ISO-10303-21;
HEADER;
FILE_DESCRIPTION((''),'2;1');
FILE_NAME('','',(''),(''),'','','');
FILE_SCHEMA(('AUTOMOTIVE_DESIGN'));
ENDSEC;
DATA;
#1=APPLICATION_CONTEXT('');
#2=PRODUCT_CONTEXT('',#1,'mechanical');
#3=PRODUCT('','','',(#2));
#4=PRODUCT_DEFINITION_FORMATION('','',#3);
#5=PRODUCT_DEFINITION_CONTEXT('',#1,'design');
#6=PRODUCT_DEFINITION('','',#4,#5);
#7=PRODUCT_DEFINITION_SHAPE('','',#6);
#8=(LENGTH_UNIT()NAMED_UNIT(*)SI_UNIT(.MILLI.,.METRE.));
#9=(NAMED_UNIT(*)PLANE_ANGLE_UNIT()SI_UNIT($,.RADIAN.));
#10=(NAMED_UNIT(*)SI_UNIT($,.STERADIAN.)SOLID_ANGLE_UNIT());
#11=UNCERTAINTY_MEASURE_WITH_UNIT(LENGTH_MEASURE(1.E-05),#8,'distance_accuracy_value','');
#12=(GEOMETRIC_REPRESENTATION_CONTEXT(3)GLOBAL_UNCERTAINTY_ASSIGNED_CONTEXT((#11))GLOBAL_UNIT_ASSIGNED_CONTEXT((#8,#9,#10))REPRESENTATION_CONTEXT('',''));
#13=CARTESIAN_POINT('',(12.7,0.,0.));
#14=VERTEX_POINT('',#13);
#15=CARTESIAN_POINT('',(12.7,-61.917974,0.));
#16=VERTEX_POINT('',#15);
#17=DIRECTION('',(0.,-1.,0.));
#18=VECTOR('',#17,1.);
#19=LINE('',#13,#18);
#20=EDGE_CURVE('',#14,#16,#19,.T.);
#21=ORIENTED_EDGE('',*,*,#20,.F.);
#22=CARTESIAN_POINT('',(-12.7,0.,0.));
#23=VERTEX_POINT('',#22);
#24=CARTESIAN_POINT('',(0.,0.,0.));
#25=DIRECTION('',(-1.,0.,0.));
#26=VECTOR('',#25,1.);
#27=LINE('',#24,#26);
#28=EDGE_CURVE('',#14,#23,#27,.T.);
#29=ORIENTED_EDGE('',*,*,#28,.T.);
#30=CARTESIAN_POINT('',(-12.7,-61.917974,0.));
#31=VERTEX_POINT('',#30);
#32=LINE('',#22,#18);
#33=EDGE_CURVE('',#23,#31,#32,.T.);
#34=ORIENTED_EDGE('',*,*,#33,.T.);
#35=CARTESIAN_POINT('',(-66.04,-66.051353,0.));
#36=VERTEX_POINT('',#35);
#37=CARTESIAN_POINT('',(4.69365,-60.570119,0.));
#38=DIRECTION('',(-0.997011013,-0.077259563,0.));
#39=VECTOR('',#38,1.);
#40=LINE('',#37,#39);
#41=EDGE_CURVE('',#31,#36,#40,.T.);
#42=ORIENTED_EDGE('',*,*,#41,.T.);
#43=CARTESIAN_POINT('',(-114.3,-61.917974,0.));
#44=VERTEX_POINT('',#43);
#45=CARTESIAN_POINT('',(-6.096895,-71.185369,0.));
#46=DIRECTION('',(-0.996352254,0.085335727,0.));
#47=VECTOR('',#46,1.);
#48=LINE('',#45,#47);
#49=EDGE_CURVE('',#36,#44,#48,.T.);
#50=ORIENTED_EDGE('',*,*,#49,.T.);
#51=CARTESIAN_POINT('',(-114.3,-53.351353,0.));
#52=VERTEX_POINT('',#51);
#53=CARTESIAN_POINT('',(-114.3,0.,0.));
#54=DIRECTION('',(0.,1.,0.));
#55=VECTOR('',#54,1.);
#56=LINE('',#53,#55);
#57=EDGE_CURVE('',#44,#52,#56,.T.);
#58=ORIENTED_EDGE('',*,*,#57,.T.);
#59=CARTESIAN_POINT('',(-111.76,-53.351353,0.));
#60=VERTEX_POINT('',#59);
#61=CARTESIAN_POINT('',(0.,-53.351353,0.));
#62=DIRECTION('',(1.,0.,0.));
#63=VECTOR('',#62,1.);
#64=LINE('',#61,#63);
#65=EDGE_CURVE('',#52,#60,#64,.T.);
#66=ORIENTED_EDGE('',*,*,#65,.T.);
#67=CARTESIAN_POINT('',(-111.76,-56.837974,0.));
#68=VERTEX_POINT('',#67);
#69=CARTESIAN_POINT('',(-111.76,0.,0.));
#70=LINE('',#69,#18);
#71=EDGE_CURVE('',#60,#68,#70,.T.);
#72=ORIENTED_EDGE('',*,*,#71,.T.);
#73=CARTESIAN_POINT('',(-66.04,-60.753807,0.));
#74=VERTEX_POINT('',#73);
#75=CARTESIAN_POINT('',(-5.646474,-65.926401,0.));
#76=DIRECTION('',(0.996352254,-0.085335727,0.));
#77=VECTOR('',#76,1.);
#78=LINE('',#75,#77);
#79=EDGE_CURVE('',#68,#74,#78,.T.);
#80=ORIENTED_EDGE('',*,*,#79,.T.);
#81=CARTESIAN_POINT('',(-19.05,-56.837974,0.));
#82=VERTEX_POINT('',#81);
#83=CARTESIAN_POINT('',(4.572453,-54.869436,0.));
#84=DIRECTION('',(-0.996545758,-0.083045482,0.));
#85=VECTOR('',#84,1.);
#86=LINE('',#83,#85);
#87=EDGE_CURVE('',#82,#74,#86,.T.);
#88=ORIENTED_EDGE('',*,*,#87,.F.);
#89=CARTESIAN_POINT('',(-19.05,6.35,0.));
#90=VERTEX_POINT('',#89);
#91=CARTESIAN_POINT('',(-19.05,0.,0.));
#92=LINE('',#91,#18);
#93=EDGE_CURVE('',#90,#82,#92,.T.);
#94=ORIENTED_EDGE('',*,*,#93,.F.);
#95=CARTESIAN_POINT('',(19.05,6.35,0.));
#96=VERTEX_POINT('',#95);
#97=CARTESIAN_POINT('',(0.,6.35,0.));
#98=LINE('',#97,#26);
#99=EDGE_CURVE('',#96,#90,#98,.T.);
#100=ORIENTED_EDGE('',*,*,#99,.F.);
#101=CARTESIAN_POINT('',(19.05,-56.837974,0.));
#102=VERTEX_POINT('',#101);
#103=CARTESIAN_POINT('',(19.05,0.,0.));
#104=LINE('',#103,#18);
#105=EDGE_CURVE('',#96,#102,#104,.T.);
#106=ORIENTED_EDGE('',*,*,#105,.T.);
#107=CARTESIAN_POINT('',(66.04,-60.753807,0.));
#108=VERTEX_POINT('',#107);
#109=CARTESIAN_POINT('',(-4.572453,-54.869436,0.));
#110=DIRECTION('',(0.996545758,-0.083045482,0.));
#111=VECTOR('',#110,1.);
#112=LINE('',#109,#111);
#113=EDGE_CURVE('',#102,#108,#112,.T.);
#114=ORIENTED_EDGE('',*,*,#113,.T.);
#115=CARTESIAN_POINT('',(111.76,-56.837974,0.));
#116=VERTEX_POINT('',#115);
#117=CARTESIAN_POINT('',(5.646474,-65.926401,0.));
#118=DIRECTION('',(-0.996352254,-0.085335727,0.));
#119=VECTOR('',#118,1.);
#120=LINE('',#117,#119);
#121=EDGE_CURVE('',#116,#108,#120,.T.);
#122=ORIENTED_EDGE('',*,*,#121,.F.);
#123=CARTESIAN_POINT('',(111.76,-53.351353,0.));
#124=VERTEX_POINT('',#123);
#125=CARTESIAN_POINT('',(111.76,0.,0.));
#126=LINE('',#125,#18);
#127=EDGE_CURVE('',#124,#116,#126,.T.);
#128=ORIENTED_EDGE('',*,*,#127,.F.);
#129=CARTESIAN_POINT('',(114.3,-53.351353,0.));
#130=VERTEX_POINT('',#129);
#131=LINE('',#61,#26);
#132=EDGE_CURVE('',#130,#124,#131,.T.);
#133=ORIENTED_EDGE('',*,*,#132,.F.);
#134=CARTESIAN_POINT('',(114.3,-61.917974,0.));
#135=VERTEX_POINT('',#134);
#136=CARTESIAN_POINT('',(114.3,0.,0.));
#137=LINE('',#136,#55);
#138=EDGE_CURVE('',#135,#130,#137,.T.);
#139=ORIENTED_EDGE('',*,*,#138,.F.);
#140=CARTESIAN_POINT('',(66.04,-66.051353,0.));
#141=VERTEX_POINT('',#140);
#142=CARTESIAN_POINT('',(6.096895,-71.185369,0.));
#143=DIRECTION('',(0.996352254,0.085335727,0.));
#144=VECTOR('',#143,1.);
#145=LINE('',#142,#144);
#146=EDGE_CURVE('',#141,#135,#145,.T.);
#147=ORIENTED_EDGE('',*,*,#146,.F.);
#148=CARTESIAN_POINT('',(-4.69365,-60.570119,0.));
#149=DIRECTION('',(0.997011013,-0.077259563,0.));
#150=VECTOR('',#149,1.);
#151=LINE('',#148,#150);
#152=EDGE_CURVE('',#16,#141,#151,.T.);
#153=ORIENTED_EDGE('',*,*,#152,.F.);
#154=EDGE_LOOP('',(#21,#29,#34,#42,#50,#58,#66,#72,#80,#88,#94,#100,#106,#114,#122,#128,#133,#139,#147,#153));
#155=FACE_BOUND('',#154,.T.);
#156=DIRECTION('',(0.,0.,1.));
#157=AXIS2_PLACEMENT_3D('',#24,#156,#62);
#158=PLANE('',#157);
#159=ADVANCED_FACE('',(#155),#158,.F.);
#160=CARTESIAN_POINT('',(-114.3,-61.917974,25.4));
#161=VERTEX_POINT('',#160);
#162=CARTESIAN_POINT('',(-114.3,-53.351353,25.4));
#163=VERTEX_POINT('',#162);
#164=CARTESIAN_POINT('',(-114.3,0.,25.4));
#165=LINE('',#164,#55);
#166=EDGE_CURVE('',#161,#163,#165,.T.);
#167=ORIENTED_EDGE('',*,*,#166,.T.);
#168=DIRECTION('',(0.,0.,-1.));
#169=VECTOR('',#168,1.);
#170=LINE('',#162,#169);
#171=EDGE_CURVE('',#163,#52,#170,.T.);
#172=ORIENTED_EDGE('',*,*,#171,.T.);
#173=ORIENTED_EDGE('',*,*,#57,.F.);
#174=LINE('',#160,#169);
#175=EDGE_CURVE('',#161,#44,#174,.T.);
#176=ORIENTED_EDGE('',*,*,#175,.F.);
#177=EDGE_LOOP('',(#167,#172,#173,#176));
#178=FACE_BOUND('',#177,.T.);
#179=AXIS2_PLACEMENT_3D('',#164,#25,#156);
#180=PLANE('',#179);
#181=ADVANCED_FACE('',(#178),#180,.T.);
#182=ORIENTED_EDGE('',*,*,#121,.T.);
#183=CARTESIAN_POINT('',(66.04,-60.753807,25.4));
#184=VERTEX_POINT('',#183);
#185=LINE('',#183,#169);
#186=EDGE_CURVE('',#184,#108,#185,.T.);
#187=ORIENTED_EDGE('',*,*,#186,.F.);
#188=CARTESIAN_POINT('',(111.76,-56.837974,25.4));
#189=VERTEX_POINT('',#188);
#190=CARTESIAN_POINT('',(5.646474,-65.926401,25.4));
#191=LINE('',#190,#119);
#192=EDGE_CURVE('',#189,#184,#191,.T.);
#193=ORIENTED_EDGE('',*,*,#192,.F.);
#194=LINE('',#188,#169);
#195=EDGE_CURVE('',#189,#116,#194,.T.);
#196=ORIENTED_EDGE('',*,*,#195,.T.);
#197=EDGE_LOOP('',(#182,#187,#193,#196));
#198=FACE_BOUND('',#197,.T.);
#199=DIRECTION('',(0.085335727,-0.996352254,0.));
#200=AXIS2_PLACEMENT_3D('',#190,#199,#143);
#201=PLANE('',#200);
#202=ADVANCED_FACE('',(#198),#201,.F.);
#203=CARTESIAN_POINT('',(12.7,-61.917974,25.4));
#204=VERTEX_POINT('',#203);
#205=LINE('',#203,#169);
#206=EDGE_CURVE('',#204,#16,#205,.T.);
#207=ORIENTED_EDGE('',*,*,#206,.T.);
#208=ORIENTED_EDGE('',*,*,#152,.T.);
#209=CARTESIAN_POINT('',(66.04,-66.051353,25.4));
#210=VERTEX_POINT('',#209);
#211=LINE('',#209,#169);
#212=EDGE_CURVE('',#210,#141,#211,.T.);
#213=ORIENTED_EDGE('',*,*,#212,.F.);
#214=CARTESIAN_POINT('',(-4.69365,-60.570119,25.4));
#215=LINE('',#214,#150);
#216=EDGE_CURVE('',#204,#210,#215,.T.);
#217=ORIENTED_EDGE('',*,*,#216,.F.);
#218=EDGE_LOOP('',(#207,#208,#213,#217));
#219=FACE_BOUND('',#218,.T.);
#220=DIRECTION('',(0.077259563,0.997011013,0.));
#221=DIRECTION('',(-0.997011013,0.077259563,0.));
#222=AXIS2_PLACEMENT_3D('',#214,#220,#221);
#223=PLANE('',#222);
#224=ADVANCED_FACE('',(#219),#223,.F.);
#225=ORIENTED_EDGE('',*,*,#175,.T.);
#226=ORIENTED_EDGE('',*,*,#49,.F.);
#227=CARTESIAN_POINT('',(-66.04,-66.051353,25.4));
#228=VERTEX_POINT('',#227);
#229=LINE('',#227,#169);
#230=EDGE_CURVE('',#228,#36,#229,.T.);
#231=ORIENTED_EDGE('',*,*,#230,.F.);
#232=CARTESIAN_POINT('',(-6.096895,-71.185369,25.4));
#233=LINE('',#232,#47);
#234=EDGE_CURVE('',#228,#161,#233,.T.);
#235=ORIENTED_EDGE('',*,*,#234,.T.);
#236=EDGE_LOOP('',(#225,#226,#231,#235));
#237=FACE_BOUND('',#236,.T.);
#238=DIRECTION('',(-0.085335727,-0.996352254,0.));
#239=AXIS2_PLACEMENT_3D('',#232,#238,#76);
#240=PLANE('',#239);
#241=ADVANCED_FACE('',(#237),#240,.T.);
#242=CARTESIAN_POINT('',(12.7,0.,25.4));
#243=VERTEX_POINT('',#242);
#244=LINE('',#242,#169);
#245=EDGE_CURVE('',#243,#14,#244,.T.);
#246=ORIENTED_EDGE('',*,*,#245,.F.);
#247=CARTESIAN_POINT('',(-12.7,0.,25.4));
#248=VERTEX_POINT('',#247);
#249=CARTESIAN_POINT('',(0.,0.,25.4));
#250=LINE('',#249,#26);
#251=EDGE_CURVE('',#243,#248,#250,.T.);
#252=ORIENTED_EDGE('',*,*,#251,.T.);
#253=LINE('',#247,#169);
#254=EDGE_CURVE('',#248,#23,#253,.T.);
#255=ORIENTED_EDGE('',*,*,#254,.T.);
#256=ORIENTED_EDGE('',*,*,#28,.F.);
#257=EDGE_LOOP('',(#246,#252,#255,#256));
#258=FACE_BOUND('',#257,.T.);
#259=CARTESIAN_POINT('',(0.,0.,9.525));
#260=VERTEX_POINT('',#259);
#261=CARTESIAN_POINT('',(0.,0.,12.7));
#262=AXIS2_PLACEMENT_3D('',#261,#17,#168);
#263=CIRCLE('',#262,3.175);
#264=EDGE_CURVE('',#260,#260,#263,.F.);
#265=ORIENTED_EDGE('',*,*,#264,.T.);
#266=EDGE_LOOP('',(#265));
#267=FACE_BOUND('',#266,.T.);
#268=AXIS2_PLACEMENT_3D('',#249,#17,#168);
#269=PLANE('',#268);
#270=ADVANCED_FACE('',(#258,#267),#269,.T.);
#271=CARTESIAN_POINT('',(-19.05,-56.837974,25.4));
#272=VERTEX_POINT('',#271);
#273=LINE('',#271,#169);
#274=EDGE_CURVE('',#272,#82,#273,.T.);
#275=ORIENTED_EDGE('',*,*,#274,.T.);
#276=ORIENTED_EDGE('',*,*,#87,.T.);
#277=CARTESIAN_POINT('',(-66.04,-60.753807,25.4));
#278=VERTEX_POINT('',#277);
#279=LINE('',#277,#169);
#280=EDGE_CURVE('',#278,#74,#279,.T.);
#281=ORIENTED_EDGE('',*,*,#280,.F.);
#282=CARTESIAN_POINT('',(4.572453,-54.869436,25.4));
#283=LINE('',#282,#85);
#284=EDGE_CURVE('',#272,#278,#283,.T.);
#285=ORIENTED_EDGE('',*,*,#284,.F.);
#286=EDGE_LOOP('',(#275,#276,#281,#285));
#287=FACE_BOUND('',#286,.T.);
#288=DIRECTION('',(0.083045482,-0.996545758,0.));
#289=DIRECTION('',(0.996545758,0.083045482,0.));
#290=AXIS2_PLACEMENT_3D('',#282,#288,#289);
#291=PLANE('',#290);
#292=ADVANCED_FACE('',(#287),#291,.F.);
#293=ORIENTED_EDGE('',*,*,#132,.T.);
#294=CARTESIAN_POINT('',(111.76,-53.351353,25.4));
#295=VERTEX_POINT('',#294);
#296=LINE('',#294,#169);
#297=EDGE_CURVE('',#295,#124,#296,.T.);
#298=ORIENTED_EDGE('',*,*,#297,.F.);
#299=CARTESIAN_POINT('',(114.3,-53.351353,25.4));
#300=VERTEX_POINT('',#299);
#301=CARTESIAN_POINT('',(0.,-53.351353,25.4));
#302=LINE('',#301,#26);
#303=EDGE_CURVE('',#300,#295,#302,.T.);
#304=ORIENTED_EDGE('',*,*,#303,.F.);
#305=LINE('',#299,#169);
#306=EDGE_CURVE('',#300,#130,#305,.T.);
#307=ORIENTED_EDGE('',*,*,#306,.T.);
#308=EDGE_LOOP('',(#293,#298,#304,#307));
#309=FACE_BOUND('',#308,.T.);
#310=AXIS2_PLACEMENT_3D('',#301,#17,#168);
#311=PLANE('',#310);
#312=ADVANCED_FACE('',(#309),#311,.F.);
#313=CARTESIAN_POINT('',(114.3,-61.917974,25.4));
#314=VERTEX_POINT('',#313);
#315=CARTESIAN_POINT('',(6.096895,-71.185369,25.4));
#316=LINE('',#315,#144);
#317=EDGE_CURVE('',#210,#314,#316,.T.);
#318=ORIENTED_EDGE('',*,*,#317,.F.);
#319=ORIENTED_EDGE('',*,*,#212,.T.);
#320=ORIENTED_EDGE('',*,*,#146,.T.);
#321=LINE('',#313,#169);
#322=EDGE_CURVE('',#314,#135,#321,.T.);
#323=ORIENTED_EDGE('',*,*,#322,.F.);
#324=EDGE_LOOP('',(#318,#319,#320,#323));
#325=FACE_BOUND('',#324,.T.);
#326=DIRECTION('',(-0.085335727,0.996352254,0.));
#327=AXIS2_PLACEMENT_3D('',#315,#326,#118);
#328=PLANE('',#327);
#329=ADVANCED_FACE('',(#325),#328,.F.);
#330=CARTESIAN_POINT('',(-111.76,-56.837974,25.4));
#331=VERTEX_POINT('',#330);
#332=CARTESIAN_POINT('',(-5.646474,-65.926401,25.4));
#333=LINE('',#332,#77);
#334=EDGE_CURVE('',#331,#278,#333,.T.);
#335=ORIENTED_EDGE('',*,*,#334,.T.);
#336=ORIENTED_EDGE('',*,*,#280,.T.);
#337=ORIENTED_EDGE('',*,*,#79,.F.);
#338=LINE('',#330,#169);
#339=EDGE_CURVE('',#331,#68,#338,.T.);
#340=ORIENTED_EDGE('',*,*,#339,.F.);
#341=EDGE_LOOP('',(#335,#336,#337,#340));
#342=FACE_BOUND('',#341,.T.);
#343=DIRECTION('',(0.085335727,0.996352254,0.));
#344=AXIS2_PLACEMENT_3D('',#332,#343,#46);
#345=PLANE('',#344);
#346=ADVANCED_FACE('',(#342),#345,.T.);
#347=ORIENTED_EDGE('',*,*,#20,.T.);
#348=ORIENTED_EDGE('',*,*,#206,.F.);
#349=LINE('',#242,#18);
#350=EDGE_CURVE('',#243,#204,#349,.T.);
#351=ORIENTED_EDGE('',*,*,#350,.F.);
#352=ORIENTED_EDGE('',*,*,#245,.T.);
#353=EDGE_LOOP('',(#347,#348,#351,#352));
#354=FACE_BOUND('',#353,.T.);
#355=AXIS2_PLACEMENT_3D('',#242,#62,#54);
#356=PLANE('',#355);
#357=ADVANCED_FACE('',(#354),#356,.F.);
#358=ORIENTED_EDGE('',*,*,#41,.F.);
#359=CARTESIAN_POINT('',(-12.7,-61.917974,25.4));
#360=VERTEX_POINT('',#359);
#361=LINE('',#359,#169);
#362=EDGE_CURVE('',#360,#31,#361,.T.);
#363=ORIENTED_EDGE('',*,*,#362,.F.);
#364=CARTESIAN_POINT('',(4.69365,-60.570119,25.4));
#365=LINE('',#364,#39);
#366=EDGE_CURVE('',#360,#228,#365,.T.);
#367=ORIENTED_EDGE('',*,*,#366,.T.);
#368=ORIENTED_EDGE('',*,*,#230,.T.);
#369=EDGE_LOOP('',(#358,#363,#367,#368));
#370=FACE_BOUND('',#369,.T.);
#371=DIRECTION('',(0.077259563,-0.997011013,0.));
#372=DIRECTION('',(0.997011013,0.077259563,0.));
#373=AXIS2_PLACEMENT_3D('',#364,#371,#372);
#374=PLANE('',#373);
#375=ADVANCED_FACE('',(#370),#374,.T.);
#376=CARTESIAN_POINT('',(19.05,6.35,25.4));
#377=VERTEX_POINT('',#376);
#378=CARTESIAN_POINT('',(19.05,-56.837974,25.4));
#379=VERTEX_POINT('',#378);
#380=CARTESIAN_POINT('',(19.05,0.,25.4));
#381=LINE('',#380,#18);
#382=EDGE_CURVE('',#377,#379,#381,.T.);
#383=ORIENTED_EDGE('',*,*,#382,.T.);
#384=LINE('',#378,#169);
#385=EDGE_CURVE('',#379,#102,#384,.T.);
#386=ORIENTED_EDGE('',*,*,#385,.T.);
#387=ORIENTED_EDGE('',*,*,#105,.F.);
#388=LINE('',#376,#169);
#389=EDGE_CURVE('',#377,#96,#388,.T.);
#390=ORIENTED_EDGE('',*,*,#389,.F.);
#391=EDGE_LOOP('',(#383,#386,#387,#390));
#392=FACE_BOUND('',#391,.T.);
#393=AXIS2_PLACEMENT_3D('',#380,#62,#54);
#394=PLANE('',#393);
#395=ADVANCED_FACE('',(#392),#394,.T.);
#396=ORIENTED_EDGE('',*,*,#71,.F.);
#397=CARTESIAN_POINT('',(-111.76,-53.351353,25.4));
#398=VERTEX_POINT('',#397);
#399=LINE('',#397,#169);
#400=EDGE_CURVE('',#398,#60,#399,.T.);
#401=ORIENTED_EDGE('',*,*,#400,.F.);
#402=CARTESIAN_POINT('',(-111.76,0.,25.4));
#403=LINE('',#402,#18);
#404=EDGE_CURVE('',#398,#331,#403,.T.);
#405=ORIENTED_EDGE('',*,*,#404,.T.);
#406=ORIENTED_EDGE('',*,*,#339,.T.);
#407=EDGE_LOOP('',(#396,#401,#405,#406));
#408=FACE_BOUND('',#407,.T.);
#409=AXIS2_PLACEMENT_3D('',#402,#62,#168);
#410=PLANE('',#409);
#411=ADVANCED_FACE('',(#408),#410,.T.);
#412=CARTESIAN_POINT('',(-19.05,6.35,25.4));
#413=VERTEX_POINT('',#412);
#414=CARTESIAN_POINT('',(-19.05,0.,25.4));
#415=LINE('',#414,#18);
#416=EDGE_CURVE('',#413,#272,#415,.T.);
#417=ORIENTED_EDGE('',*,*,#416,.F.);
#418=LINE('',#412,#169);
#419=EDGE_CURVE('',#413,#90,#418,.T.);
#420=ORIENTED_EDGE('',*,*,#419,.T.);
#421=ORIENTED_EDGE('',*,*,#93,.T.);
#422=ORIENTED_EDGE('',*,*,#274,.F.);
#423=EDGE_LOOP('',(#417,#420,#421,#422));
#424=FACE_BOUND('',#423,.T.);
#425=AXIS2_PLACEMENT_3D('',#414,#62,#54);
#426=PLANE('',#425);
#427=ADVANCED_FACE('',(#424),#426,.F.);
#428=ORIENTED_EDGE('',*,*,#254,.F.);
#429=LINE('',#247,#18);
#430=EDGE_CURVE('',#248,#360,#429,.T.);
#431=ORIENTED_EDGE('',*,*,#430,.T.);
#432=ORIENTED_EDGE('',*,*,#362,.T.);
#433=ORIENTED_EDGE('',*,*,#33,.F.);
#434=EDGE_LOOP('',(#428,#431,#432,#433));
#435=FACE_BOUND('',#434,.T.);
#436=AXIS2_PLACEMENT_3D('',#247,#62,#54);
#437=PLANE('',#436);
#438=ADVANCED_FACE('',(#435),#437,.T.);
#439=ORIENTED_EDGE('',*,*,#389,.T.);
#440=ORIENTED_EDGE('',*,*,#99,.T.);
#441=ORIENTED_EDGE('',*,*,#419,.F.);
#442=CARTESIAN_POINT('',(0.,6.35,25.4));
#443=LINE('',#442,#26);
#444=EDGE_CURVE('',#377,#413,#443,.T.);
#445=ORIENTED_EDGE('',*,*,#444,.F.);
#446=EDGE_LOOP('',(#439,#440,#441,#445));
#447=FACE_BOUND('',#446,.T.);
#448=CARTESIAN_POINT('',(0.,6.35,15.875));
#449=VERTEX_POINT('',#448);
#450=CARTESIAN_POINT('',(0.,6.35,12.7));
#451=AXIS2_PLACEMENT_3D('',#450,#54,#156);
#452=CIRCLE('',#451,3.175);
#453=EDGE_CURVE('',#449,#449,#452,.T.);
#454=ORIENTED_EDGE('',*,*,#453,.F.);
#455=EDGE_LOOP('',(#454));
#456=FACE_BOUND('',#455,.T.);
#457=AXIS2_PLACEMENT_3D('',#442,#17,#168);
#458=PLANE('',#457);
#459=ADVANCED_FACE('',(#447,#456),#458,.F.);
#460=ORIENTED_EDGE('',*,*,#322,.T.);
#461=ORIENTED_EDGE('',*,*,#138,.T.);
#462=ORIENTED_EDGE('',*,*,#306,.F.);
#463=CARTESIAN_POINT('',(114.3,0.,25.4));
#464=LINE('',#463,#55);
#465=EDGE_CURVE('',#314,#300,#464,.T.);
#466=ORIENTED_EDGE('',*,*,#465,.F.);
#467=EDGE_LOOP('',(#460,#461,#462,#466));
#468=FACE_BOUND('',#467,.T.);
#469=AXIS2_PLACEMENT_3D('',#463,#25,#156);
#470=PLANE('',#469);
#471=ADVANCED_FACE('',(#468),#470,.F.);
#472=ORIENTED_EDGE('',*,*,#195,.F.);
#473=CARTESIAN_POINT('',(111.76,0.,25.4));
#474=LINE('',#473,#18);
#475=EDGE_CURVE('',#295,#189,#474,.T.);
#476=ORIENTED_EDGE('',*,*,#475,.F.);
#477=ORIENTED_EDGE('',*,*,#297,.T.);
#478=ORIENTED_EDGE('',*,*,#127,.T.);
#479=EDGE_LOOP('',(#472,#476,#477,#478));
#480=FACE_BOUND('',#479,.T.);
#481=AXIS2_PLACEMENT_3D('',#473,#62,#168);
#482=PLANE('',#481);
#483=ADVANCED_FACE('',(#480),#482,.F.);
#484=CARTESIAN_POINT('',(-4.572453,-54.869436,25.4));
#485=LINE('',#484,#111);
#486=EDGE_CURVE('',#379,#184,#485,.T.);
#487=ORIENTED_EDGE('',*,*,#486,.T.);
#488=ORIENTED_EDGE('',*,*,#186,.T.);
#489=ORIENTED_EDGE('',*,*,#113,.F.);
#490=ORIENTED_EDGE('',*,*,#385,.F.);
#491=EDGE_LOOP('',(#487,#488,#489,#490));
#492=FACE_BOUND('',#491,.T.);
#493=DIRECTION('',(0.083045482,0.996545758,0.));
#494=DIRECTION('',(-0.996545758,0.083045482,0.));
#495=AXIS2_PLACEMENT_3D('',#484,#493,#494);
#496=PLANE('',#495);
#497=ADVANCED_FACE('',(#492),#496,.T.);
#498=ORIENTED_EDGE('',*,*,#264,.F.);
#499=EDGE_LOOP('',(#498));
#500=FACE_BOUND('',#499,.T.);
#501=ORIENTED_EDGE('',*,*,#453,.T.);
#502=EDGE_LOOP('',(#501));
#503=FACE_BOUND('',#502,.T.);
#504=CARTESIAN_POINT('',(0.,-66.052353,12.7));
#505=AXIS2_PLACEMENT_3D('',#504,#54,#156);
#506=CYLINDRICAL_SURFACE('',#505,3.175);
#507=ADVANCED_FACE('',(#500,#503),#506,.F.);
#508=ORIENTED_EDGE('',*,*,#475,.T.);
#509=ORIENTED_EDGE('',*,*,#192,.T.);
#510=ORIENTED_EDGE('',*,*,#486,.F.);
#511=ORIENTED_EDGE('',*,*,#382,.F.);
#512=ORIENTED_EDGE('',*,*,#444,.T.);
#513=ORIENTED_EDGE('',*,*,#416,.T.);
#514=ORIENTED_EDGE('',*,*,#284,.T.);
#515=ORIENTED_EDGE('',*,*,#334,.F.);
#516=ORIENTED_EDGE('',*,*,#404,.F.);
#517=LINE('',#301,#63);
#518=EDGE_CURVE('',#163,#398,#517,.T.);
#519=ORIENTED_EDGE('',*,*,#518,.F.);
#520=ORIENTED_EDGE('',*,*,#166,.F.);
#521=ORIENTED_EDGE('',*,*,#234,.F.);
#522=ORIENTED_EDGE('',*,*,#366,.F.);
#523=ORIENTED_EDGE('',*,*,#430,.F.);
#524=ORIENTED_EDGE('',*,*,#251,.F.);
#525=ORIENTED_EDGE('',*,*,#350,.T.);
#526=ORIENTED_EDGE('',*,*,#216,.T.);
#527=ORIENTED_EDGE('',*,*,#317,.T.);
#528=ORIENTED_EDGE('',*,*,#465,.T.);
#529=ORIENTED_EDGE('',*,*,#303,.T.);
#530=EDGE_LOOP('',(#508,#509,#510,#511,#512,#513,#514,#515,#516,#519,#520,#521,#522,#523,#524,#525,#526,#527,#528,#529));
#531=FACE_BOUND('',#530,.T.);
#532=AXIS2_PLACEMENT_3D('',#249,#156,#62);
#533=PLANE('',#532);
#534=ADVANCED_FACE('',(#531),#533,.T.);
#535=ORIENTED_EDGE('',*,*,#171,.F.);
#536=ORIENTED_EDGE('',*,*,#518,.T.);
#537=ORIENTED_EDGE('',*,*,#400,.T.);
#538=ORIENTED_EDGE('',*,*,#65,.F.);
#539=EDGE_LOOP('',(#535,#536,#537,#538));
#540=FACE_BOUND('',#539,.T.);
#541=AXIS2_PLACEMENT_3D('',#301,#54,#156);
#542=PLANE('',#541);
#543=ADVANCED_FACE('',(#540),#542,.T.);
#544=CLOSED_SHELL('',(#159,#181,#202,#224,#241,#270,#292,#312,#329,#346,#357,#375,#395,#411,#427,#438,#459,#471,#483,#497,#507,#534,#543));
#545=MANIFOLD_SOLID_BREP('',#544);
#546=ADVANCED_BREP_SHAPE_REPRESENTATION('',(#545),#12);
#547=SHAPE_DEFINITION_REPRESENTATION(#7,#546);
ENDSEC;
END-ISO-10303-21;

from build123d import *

# Parameters (mm, degrees)
BOSS_EXTRUDE1_DEPTH = 25.4
CUT_EXTRUDE1_REACH  = 139.665
SKETCH3_R           = 3.175


with BuildPart() as part:
    # Sketch2 → Boss-Extrude1 (new body)
    with BuildSketch(Plane.XY):
        Polygon((0, 0), (12.7, 0), (12.7, -61.9179737), (66.04, -66.051353419), (114.3, -61.9179737), (114.3, -53.351353419), (111.76, -53.351353419), (111.76, -56.8379737), (66.04, -60.753807118), (19.05, -56.8379737), (19.05, 0), (19.05, 6.35), (0, 6.35), align=None)
        Polygon((-12.7, 0), (0, 0), (0, 6.35), (-19.05, 6.35), (-19.05, 0), (-19.05, -56.8379737), (-66.04, -60.753807118), (-111.76, -56.8379737), (-111.76, -53.351353419), (-114.3, -53.351353419), (-114.3, -61.9179737), (-66.04, -66.051353419), (-12.7, -61.9179737), align=None)
    extrude(amount=BOSS_EXTRUDE1_DEPTH)

    # Sketch3 → Cut-Extrude1 (cut, up to next)
    with BuildSketch(Plane(origin=(0, 6.35, 0), x_dir=(1, 0, 0), z_dir=(0, 1, 0)), mode=Mode.PRIVATE) as cut_extrude1_sk1:
        with Locations(Location((0, -12.7, 0), (0, 0, 270))):
            Circle(SKETCH3_R)
    cut_extrude1_tool1 = extrude(cut_extrude1_sk1.sketch, amount=-CUT_EXTRUDE1_REACH, mode=Mode.PRIVATE) & part.part
    add(cut_extrude1_tool1.solids().sort_by_distance((0, 6.35, 12.7))[0], mode=Mode.SUBTRACT)


solid = part.part
